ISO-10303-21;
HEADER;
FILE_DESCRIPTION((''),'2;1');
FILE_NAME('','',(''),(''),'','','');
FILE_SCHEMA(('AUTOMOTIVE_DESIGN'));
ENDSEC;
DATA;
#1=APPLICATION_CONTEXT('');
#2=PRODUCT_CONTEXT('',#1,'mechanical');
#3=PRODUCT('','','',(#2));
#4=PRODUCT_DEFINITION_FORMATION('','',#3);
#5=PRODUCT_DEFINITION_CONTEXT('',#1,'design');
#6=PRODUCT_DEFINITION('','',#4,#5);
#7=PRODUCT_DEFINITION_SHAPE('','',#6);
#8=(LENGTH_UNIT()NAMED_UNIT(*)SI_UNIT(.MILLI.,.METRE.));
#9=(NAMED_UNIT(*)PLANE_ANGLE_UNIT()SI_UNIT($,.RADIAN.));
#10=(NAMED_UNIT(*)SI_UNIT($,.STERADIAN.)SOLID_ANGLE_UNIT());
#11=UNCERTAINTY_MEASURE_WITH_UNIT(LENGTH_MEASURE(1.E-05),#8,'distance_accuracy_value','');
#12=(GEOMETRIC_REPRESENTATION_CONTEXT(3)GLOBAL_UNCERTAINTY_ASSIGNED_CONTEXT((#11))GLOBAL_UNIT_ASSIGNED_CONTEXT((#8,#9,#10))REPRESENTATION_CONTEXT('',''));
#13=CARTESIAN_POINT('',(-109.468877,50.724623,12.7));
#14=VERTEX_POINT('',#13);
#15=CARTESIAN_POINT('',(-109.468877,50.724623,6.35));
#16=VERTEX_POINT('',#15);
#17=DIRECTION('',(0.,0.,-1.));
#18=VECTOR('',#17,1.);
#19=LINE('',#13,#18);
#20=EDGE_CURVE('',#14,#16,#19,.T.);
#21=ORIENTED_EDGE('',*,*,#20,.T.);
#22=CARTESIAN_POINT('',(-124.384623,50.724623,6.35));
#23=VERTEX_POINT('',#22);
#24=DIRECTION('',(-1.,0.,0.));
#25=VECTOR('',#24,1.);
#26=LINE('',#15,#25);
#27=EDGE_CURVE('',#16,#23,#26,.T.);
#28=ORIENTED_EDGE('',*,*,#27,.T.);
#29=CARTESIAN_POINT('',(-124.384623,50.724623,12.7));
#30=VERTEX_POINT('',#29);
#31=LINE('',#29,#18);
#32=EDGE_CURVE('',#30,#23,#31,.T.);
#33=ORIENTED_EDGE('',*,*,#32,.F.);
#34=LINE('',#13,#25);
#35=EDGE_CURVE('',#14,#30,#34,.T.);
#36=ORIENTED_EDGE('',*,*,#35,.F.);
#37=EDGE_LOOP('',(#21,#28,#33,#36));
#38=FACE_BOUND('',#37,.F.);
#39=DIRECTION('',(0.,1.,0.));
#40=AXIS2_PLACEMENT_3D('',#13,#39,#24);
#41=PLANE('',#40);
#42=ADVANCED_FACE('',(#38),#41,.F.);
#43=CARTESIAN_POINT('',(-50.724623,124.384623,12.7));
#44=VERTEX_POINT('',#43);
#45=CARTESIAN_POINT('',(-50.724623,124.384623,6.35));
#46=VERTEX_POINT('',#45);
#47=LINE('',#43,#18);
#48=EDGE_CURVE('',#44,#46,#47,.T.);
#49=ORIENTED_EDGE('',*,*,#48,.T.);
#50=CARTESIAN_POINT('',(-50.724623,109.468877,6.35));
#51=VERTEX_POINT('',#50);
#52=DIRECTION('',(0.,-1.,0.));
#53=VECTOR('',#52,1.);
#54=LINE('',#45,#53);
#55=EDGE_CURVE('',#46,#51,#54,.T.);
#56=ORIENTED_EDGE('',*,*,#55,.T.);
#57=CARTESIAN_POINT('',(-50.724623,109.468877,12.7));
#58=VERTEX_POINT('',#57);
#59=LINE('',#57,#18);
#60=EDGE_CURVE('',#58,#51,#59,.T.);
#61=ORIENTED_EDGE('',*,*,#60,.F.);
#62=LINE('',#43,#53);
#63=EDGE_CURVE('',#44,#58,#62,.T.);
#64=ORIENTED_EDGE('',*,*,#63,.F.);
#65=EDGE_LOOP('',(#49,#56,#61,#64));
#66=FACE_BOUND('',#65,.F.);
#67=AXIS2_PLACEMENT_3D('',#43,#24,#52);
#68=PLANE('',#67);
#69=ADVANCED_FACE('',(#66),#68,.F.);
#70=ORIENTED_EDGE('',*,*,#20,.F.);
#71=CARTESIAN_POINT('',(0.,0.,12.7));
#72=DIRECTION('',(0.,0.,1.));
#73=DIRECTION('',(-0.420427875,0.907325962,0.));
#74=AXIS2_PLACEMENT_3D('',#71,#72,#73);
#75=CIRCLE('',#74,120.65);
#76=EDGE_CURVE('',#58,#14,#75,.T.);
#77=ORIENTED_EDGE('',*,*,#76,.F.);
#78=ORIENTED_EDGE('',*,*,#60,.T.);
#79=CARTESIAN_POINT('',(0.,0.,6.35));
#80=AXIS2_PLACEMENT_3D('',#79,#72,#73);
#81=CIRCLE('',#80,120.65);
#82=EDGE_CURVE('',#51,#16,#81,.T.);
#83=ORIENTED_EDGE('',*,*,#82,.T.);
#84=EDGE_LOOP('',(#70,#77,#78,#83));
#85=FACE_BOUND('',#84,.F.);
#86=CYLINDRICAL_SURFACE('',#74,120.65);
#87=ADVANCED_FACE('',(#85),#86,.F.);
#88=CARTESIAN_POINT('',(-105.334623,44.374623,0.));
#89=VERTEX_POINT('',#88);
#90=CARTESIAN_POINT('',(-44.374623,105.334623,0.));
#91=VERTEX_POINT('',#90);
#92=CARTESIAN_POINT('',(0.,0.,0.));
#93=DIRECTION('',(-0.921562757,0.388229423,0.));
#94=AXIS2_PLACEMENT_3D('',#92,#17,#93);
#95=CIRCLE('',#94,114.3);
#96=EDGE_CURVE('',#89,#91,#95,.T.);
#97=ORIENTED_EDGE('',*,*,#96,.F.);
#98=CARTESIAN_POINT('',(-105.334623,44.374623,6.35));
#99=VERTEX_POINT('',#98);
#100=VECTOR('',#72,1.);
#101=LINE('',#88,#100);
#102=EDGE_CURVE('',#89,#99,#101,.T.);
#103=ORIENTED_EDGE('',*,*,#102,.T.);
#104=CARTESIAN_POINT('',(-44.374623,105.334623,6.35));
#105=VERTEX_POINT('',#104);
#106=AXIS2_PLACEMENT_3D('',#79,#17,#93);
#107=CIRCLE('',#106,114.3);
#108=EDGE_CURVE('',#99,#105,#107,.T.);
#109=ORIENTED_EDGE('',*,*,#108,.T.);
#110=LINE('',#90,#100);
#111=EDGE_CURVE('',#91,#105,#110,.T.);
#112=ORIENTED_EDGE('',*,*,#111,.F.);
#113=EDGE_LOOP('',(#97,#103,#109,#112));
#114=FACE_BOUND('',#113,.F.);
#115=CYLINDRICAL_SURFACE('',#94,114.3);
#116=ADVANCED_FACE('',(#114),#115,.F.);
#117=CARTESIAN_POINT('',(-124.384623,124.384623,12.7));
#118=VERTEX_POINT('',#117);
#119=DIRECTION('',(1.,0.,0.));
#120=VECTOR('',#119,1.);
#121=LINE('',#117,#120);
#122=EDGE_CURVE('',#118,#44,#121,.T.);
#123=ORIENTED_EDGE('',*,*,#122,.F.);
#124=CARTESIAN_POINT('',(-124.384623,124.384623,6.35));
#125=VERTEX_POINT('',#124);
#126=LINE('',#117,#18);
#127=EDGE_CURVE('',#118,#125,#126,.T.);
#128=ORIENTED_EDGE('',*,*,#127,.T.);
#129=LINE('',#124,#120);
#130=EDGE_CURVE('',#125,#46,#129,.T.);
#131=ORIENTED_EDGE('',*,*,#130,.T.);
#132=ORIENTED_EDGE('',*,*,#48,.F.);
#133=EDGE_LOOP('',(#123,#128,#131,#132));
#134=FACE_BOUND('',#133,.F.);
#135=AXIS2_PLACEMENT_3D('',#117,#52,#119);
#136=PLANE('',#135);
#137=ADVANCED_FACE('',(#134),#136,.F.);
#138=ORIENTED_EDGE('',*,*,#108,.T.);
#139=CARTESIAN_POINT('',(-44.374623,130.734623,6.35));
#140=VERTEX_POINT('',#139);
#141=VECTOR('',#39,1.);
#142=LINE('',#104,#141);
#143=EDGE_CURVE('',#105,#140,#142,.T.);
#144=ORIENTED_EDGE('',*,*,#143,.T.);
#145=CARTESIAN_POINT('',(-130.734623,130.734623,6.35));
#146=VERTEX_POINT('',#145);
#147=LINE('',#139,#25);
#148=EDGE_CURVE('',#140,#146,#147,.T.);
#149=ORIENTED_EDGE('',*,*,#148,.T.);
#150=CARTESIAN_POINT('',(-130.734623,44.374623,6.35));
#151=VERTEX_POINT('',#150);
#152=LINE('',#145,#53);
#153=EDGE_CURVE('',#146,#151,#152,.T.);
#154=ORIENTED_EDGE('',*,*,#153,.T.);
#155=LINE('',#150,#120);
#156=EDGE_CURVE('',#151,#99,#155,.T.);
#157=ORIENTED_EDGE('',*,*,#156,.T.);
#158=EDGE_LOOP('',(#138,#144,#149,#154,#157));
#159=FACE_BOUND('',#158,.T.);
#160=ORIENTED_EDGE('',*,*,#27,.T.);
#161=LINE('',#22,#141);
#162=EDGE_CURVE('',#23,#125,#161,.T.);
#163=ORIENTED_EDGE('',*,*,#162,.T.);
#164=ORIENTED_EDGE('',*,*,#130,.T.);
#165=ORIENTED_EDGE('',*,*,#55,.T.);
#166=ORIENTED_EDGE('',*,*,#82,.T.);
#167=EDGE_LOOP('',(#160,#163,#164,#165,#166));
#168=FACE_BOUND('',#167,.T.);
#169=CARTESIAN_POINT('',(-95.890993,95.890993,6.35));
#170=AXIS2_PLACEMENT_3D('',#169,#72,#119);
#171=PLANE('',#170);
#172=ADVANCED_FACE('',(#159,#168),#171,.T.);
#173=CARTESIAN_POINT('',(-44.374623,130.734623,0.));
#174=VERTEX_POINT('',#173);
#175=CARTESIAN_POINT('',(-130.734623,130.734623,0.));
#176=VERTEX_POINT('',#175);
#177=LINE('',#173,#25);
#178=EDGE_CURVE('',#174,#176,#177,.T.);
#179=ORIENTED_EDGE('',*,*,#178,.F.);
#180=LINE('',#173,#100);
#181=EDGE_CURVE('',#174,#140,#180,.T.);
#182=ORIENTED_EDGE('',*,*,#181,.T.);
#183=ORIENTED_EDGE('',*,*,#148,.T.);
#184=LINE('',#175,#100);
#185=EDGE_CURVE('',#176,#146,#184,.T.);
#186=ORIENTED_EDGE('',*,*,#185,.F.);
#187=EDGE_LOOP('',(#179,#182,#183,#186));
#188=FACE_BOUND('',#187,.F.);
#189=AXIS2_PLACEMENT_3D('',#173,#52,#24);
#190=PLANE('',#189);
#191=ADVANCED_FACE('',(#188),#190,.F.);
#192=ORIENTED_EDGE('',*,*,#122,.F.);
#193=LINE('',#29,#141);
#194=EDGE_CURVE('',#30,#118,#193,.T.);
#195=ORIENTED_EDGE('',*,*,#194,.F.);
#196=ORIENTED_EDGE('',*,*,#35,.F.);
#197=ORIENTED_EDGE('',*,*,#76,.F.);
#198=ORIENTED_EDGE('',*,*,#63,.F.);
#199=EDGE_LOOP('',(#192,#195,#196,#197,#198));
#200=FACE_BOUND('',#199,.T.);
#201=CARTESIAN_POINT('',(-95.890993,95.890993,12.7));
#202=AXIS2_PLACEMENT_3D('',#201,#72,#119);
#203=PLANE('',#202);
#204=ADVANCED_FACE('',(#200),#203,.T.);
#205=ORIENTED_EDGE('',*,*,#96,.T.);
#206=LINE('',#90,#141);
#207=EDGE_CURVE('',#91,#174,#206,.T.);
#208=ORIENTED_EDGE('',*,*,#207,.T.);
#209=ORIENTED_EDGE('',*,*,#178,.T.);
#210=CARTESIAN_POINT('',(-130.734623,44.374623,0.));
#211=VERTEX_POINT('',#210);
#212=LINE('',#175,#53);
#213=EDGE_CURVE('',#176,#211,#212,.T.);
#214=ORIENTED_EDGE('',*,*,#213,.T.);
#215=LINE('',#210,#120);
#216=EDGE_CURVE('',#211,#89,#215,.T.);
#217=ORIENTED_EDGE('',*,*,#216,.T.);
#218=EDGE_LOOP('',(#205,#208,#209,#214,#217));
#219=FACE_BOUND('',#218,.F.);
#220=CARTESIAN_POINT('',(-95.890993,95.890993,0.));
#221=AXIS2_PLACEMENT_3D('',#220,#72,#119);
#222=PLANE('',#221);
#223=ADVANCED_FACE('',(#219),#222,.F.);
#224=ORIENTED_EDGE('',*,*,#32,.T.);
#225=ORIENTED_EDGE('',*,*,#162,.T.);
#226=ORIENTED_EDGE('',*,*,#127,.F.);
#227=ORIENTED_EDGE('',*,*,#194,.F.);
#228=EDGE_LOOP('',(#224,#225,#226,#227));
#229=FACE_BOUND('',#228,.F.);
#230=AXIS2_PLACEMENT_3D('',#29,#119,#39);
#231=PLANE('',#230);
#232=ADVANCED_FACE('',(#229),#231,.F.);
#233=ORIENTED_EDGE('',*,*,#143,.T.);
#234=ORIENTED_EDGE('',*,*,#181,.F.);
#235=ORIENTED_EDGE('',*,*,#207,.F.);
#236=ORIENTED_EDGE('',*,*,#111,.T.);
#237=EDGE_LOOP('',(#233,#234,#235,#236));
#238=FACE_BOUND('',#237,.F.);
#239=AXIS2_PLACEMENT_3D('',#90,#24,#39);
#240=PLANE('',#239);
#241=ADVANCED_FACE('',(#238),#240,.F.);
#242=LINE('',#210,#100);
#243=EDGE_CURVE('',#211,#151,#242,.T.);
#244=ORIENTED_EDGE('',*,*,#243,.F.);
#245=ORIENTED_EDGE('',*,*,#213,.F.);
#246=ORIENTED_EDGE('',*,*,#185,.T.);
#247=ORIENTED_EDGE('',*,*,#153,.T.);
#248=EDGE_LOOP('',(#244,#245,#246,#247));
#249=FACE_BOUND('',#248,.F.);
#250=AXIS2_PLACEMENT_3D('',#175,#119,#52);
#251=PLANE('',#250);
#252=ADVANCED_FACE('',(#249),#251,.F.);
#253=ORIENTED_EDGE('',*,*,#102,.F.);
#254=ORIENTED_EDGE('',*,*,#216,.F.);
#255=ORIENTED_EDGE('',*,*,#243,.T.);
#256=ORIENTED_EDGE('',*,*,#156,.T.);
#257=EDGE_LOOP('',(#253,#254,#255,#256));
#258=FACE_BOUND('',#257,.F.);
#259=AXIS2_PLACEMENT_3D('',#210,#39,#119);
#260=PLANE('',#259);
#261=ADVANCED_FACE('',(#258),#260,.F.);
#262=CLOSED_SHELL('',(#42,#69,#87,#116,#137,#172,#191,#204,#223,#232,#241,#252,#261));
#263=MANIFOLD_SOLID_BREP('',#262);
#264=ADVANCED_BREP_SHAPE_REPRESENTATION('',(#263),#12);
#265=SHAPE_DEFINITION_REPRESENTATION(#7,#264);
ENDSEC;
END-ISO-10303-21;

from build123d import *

# Parameters (mm, degrees)
F1_DEPTH = 12.7
F3_DEPTH = 6.35


with BuildPart() as f1:
    # F0 (on Top) → F1 (new body)
    with BuildSketch(Plane.XY):
        with BuildLine():
            Line((-44.3746231037, 130.7346231037), (-130.7346231037, 130.7346231037))
            Line((-130.7346231037, 130.7346231037), (-130.7346231037, 44.3746231037))
            Line((-130.7346231037, 44.3746231037), (-105.3346231037, 44.3746231037))
            ThreePointArc((-105.3346231037, 44.3746231037), (-80.8223050896, 80.8223050896), (-44.3746231037, 105.3346231037))
            Line((-44.3746231037, 105.3346231037), (-44.3746231037, 130.7346231037))
        make_face()
    extrude(amount=F1_DEPTH)

    # F2 (on face) → F3 (cut)
    with BuildSketch(Plane.XY.offset(12.7)):
        with BuildLine():
            Line((-130.7346231037, 44.3746231037), (-105.3346231037, 44.3746231037))
            ThreePointArc((-105.3346231037, 44.3746231037), (-80.8223050896, 80.8223050896), (-44.3746231037, 105.3346231037))
            Line((-44.3746231037, 105.3346231037), (-44.3746231037, 130.7346231037))
            Line((-44.3746231037, 130.7346231037), (-130.7346231037, 130.7346231037))
            Line((-130.7346231037, 130.7346231037), (-130.7346231037, 44.3746231037))
        make_face()
        with BuildLine():
            Line((-124.3846231037, 124.3846231037), (-50.7246231037, 124.3846231037))
            Line((-50.7246231037, 124.3846231037), (-50.7246231037, 109.4688773624))
            ThreePointArc((-50.7246231037, 109.4688773624), (-85.3124331502, 85.3124331502), (-109.4688773624, 50.7246231037))
            Line((-109.4688773624, 50.7246231037), (-124.3846231037, 50.7246231037))
            Line((-124.3846231037, 50.7246231037), (-124.3846231037, 124.3846231037))
        make_face(mode=Mode.SUBTRACT)
    extrude(amount=-F3_DEPTH, mode=Mode.SUBTRACT)


solid = f1.part
